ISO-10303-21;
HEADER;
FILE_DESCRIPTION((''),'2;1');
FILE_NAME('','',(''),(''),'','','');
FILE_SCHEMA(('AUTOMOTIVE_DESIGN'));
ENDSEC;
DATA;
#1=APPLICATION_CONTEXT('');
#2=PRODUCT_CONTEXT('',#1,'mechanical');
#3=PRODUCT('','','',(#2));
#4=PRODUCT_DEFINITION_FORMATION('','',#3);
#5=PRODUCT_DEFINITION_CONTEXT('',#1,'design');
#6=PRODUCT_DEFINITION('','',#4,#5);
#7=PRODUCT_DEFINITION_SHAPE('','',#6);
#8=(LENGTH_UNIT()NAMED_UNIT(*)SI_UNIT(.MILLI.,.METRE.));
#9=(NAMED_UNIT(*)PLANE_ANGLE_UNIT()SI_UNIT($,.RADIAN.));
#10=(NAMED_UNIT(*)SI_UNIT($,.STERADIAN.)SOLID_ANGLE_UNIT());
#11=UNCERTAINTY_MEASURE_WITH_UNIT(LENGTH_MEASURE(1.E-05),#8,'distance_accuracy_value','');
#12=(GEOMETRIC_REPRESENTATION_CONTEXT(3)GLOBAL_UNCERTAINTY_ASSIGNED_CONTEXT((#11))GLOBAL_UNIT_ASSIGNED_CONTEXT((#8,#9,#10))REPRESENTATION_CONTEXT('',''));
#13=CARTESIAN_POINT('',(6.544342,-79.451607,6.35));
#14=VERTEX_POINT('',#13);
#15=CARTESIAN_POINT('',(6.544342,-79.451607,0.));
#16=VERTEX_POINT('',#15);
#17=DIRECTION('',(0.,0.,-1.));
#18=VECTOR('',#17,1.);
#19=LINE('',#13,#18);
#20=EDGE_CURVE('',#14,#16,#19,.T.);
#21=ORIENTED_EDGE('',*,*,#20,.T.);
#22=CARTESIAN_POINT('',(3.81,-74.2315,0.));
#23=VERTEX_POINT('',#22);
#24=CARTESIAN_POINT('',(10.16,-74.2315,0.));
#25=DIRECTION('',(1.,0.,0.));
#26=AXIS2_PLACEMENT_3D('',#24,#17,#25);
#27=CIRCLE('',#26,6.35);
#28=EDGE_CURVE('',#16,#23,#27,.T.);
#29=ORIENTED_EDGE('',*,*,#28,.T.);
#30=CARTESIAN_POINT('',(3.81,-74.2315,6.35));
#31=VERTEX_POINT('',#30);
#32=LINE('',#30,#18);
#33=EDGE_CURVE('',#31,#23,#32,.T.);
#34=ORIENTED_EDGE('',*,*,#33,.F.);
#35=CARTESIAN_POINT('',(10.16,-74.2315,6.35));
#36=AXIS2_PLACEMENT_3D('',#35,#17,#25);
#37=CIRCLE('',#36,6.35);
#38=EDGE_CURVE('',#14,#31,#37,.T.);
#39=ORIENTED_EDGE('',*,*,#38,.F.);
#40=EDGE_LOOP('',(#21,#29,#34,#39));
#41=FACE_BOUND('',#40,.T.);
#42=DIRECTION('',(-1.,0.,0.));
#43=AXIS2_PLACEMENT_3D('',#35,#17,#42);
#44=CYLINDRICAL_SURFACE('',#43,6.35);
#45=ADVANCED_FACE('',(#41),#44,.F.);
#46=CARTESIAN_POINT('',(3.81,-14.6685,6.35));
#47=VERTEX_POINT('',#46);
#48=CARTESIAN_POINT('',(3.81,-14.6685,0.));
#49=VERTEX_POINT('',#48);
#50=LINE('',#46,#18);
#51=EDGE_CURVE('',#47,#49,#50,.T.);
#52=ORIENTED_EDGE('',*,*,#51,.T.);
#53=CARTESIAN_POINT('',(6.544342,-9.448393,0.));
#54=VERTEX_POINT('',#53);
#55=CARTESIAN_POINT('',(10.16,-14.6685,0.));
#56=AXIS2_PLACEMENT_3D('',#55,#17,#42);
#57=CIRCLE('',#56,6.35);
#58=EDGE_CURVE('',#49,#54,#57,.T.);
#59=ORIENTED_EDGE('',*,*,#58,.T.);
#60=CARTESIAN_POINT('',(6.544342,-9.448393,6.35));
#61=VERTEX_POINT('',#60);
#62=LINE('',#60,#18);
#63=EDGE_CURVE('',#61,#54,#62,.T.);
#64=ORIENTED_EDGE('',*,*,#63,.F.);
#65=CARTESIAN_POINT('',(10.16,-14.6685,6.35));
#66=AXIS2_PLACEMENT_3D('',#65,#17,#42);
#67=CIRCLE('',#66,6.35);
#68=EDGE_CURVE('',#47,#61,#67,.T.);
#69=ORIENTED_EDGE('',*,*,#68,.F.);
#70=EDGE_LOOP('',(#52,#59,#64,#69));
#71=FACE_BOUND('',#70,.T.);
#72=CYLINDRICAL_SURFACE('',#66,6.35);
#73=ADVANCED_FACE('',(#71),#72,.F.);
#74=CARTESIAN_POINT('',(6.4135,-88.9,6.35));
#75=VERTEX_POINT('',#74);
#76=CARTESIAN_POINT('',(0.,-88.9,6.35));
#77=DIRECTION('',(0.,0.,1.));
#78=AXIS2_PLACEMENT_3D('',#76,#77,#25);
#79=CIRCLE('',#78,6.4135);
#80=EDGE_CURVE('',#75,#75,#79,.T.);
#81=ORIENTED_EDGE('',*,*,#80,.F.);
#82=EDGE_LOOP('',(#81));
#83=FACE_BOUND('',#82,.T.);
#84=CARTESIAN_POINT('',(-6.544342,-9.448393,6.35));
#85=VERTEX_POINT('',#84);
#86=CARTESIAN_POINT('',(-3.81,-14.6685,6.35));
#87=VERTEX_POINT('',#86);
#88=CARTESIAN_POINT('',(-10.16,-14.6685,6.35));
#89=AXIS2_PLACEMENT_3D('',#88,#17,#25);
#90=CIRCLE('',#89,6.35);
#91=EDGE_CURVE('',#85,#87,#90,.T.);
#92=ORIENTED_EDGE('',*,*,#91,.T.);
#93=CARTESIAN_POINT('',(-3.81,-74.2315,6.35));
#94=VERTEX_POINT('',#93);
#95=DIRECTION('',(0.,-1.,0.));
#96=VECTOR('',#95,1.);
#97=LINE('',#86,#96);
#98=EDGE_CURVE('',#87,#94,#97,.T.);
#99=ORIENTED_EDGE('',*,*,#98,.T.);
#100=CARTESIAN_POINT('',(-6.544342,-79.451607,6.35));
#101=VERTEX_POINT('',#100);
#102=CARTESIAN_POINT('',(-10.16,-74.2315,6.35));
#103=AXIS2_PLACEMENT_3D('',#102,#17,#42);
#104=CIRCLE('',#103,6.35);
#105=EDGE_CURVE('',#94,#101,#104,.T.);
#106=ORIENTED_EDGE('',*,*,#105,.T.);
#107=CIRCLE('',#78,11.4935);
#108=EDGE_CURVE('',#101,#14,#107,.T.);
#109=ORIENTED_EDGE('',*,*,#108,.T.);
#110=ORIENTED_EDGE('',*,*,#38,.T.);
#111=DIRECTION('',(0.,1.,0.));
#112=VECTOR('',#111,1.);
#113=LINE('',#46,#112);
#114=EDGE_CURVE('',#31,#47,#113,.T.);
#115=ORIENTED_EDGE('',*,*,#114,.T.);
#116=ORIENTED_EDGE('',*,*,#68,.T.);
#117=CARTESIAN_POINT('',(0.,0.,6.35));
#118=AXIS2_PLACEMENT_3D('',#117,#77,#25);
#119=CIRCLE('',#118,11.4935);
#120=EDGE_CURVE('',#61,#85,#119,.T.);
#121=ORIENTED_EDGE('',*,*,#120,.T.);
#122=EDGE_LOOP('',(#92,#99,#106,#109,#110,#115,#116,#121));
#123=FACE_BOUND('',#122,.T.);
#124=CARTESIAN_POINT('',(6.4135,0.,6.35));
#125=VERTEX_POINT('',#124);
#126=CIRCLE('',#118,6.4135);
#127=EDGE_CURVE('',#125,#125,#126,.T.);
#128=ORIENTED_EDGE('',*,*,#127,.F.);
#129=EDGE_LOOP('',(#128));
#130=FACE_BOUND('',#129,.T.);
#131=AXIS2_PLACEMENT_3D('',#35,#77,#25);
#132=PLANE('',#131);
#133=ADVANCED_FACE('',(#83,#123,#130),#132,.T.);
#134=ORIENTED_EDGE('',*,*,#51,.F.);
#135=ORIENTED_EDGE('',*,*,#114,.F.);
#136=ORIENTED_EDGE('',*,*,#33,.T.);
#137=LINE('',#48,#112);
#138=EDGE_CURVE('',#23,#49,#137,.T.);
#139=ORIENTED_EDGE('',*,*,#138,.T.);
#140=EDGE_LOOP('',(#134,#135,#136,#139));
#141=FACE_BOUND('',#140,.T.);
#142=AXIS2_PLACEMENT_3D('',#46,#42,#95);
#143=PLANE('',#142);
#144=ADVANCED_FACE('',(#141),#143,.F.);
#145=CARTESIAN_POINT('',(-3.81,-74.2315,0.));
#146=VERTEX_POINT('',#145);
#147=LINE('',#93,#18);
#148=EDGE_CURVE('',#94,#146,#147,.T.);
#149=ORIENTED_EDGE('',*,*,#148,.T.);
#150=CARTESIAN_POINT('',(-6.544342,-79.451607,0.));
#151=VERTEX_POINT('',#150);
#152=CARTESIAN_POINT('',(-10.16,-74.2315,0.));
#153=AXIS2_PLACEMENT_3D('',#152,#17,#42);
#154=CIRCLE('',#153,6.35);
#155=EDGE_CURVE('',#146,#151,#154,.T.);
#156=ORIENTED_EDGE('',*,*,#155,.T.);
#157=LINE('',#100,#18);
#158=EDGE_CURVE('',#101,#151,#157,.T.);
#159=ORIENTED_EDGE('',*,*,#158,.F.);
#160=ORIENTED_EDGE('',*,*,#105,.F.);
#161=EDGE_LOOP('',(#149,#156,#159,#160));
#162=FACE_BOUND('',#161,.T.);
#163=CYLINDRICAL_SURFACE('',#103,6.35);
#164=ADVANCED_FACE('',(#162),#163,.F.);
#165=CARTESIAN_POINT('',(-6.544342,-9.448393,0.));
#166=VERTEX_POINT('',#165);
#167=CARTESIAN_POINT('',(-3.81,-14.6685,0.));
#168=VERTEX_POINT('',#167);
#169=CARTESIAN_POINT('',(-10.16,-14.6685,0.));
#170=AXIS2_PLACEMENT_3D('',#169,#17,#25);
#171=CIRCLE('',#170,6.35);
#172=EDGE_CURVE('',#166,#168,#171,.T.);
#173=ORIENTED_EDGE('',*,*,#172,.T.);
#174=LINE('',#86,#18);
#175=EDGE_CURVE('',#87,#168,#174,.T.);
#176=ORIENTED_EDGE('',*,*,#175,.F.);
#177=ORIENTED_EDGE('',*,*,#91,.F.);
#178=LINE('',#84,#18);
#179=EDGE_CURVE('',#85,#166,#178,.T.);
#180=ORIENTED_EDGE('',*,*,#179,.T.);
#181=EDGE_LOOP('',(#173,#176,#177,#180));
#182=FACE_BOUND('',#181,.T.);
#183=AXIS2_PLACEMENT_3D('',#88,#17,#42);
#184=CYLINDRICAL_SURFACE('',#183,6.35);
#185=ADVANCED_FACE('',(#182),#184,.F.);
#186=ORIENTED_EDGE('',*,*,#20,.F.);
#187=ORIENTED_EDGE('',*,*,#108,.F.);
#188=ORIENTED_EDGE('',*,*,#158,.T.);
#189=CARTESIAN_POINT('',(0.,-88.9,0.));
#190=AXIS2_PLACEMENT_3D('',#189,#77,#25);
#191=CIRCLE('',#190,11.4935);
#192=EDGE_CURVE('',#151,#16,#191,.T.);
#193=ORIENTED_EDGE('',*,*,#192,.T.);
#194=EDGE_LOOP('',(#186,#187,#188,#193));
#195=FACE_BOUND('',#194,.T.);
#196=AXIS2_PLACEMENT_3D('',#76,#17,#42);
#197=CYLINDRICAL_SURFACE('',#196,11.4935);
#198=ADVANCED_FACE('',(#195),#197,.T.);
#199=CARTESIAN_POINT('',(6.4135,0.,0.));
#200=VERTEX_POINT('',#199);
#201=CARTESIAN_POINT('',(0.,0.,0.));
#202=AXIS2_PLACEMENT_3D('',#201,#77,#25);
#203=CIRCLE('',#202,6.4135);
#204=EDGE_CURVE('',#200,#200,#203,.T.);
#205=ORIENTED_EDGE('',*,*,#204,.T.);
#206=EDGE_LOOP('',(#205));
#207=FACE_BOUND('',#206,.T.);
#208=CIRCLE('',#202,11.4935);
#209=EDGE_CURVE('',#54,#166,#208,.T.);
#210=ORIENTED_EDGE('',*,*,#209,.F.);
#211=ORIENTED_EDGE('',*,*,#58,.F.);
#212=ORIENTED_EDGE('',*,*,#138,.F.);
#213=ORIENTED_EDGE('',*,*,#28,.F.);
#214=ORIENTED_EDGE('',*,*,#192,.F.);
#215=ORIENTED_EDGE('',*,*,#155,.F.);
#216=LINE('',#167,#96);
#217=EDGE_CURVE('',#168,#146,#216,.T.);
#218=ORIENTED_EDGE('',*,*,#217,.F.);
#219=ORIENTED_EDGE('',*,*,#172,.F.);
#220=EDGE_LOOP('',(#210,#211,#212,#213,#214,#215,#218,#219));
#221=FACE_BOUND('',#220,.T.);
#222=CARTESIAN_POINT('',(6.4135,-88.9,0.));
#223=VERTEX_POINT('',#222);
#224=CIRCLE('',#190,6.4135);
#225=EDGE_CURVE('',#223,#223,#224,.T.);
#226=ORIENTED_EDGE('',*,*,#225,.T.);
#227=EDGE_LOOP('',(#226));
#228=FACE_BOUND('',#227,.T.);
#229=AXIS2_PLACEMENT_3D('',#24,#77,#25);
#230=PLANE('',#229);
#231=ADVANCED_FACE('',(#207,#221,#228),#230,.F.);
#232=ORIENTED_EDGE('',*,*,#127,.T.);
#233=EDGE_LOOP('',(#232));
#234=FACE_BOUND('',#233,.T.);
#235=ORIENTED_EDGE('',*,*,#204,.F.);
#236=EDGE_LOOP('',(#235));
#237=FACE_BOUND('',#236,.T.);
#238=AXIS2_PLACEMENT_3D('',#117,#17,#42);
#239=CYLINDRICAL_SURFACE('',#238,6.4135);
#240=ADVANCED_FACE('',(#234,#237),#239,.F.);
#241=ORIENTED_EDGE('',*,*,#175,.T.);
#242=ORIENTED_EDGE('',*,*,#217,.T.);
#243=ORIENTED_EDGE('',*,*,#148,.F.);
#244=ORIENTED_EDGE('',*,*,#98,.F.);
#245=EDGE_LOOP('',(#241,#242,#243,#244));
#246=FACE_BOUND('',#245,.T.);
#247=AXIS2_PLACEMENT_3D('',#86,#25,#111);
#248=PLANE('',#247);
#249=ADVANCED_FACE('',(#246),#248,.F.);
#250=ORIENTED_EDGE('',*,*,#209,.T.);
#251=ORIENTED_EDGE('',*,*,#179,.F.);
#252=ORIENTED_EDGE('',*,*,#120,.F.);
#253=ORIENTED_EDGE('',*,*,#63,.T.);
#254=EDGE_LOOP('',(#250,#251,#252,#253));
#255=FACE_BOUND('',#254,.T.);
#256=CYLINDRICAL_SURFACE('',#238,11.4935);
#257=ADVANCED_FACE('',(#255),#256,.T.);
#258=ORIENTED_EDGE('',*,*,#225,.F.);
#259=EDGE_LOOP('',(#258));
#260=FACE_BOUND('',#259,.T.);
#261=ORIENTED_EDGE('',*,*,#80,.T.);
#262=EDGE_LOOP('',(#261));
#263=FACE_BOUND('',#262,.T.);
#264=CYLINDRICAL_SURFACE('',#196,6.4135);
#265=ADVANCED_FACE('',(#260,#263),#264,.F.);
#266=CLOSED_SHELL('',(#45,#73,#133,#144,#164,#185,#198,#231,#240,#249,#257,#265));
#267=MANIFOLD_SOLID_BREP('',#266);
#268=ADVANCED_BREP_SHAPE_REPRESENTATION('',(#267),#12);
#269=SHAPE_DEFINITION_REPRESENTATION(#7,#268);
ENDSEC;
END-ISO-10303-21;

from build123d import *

# Parameters (mm, degrees)
ESQUISSE1_R        = 6.4135
BOSS_EXTRU_1_DEPTH = 6.35


with BuildPart() as part:
    # Esquisse1 → Boss.-Extru.1 (new body)
    with BuildSketch(Plane.XY):
        with BuildLine():
            Line((-3.81, -14.6685), (-3.81, -74.2315))
            ThreePointArc((-3.81, -74.2315), (-4.534969751, -77.177944416), (-6.544341637, -79.451606762))
            ThreePointArc((-6.544341637, -79.451606762), (0, -100.3935), (6.544341637, -79.451606762))
            ThreePointArc((6.544341637, -79.451606762), (4.534969751, -77.177944416), (3.81, -74.2315))
            Line((3.81, -74.2315), (3.81, -14.6685))
            ThreePointArc((3.81, -14.6685), (4.534969751, -11.722055584), (6.544341637, -9.448393238))
            ThreePointArc((6.544341637, -9.448393238), (0, 11.4935), (-6.544341637, -9.448393238))
            ThreePointArc((-6.544341637, -9.448393238), (-4.534969751, -11.722055584), (-3.81, -14.6685))
        make_face()
        Circle(ESQUISSE1_R, mode=Mode.SUBTRACT)
        with Locations((0, -88.9)):
            Circle(ESQUISSE1_R, mode=Mode.SUBTRACT)
    extrude(amount=BOSS_EXTRU_1_DEPTH)


solid = part.part
